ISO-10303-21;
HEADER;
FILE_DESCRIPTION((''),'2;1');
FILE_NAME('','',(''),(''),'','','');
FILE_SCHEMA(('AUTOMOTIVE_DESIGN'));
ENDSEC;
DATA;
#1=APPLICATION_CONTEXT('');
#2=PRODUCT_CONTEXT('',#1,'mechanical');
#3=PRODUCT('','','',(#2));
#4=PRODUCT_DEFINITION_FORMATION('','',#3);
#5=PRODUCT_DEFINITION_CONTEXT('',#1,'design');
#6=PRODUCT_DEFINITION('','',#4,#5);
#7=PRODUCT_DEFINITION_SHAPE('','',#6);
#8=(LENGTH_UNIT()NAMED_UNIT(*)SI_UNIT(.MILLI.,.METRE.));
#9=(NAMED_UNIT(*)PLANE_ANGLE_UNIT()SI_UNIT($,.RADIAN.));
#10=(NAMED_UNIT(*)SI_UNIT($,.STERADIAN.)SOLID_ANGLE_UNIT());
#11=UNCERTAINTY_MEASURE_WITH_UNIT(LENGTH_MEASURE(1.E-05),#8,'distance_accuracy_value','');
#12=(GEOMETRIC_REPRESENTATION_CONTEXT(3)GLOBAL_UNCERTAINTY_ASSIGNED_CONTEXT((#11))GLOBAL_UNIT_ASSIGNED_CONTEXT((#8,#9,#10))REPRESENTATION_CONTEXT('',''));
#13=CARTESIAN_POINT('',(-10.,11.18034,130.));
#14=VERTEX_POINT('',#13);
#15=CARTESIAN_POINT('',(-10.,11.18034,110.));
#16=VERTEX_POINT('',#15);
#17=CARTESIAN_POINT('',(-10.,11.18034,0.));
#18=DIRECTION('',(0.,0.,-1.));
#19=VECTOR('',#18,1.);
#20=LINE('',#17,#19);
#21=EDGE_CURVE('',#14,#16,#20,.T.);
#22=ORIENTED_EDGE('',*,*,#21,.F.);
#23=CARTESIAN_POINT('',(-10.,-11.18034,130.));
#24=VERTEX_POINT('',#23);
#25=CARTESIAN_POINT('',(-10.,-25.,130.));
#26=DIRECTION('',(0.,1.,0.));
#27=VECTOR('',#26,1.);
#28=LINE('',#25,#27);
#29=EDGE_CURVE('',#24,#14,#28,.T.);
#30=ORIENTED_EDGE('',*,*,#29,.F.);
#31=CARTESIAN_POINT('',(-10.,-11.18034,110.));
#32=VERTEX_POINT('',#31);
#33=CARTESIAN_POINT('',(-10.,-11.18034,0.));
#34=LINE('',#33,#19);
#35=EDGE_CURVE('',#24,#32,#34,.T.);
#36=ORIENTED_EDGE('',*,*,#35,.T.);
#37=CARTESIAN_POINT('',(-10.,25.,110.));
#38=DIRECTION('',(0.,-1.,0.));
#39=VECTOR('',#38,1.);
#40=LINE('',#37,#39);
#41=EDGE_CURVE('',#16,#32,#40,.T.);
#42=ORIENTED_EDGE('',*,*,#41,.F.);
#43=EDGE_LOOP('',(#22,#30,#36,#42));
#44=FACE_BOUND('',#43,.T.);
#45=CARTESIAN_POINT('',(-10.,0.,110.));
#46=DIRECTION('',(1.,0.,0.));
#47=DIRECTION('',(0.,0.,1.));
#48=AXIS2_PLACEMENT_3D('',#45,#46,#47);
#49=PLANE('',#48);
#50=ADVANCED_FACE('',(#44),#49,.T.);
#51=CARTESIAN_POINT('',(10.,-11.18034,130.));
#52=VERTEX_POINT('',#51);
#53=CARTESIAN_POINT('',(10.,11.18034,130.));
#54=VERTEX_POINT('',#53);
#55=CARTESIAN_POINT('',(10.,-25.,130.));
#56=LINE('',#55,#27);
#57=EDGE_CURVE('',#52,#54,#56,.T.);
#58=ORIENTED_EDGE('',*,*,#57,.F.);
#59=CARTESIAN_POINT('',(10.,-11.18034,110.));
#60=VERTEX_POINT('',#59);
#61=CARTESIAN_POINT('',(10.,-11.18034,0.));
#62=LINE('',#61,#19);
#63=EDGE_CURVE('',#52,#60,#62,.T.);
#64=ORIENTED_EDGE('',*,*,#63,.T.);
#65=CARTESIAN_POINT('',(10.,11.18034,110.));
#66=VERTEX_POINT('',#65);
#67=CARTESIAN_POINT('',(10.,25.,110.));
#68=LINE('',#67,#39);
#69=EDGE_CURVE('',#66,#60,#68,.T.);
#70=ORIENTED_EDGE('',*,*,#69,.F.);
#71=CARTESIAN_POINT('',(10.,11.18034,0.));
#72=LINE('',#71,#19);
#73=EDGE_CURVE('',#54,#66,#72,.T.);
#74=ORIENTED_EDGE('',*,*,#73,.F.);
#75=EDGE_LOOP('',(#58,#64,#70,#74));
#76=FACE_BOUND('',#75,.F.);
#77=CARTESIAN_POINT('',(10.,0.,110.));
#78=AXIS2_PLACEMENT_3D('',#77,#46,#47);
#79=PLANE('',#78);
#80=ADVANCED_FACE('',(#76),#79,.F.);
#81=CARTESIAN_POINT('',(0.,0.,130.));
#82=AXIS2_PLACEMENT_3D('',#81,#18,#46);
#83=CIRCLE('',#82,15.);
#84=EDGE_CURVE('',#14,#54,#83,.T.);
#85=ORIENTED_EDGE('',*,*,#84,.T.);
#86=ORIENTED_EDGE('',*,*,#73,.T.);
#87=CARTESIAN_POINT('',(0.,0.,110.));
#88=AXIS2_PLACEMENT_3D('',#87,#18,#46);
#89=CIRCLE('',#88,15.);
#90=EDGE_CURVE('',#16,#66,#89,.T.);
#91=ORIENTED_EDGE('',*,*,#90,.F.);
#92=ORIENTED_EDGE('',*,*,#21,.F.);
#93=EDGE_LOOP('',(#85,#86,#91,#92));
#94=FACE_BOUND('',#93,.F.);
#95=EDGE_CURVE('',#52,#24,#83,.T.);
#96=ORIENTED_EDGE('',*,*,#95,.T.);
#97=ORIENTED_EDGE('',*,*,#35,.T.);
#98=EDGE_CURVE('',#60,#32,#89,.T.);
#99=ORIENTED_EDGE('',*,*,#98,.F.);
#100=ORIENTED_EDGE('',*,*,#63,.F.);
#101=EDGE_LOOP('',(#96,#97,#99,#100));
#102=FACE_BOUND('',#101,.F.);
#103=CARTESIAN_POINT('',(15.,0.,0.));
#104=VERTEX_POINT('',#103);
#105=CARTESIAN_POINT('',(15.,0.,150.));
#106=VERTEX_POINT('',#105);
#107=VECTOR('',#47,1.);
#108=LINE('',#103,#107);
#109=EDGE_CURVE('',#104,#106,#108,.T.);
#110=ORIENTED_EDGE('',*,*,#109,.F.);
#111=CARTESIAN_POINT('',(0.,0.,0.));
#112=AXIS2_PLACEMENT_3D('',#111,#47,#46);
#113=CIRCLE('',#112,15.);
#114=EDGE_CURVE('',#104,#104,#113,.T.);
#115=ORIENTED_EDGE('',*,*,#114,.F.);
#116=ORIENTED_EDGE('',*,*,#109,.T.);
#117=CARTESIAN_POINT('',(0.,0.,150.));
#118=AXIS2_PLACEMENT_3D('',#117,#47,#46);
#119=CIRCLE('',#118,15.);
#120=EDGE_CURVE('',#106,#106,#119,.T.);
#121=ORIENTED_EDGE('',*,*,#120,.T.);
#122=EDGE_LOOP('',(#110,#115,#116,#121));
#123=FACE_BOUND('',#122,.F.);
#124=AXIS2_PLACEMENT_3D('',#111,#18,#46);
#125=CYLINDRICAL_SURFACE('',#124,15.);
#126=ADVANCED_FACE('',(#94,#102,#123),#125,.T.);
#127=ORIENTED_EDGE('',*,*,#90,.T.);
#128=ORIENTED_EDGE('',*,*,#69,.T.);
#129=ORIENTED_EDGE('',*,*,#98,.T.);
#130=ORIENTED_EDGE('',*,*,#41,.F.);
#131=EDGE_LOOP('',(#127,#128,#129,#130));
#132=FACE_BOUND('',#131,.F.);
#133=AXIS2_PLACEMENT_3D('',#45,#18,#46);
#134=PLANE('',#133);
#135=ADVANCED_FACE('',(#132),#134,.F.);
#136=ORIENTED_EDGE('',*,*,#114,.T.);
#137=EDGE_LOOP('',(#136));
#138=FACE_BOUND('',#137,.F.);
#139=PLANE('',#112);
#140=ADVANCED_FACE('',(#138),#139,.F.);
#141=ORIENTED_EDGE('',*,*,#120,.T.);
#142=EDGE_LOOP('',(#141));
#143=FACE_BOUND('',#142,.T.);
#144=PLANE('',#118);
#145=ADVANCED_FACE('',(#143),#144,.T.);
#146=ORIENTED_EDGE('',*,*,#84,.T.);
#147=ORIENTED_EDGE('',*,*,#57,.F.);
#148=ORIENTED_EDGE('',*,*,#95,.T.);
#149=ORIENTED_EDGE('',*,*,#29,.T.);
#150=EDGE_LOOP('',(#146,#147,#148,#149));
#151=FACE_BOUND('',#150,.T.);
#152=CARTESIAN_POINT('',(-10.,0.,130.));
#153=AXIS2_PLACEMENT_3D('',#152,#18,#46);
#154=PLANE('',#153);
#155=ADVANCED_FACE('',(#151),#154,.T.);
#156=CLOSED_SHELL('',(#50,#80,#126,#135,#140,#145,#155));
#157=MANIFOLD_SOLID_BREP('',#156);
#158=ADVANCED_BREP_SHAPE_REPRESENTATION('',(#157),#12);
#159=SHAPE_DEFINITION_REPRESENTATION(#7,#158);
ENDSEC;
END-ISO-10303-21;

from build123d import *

# Parameters (mm, degrees)
F0_R     = 15
F1_DEPTH = 150
F2_W     = 20
F2_H     = 20
F3_DEPTH = 25


with BuildPart() as f1:
    # F0 (on Top) → F1 (new body)
    with BuildSketch(Plane.XY):
        Circle(F0_R)
    extrude(amount=F1_DEPTH)

    # F2 (on Front) → F3 (cut, symmetric)
    with BuildSketch(Plane.XZ):
        with Locations((0, 120)):
            Rectangle(F2_W, F2_H)
    extrude(amount=F3_DEPTH, both=True, mode=Mode.SUBTRACT)


solid = f1.part
